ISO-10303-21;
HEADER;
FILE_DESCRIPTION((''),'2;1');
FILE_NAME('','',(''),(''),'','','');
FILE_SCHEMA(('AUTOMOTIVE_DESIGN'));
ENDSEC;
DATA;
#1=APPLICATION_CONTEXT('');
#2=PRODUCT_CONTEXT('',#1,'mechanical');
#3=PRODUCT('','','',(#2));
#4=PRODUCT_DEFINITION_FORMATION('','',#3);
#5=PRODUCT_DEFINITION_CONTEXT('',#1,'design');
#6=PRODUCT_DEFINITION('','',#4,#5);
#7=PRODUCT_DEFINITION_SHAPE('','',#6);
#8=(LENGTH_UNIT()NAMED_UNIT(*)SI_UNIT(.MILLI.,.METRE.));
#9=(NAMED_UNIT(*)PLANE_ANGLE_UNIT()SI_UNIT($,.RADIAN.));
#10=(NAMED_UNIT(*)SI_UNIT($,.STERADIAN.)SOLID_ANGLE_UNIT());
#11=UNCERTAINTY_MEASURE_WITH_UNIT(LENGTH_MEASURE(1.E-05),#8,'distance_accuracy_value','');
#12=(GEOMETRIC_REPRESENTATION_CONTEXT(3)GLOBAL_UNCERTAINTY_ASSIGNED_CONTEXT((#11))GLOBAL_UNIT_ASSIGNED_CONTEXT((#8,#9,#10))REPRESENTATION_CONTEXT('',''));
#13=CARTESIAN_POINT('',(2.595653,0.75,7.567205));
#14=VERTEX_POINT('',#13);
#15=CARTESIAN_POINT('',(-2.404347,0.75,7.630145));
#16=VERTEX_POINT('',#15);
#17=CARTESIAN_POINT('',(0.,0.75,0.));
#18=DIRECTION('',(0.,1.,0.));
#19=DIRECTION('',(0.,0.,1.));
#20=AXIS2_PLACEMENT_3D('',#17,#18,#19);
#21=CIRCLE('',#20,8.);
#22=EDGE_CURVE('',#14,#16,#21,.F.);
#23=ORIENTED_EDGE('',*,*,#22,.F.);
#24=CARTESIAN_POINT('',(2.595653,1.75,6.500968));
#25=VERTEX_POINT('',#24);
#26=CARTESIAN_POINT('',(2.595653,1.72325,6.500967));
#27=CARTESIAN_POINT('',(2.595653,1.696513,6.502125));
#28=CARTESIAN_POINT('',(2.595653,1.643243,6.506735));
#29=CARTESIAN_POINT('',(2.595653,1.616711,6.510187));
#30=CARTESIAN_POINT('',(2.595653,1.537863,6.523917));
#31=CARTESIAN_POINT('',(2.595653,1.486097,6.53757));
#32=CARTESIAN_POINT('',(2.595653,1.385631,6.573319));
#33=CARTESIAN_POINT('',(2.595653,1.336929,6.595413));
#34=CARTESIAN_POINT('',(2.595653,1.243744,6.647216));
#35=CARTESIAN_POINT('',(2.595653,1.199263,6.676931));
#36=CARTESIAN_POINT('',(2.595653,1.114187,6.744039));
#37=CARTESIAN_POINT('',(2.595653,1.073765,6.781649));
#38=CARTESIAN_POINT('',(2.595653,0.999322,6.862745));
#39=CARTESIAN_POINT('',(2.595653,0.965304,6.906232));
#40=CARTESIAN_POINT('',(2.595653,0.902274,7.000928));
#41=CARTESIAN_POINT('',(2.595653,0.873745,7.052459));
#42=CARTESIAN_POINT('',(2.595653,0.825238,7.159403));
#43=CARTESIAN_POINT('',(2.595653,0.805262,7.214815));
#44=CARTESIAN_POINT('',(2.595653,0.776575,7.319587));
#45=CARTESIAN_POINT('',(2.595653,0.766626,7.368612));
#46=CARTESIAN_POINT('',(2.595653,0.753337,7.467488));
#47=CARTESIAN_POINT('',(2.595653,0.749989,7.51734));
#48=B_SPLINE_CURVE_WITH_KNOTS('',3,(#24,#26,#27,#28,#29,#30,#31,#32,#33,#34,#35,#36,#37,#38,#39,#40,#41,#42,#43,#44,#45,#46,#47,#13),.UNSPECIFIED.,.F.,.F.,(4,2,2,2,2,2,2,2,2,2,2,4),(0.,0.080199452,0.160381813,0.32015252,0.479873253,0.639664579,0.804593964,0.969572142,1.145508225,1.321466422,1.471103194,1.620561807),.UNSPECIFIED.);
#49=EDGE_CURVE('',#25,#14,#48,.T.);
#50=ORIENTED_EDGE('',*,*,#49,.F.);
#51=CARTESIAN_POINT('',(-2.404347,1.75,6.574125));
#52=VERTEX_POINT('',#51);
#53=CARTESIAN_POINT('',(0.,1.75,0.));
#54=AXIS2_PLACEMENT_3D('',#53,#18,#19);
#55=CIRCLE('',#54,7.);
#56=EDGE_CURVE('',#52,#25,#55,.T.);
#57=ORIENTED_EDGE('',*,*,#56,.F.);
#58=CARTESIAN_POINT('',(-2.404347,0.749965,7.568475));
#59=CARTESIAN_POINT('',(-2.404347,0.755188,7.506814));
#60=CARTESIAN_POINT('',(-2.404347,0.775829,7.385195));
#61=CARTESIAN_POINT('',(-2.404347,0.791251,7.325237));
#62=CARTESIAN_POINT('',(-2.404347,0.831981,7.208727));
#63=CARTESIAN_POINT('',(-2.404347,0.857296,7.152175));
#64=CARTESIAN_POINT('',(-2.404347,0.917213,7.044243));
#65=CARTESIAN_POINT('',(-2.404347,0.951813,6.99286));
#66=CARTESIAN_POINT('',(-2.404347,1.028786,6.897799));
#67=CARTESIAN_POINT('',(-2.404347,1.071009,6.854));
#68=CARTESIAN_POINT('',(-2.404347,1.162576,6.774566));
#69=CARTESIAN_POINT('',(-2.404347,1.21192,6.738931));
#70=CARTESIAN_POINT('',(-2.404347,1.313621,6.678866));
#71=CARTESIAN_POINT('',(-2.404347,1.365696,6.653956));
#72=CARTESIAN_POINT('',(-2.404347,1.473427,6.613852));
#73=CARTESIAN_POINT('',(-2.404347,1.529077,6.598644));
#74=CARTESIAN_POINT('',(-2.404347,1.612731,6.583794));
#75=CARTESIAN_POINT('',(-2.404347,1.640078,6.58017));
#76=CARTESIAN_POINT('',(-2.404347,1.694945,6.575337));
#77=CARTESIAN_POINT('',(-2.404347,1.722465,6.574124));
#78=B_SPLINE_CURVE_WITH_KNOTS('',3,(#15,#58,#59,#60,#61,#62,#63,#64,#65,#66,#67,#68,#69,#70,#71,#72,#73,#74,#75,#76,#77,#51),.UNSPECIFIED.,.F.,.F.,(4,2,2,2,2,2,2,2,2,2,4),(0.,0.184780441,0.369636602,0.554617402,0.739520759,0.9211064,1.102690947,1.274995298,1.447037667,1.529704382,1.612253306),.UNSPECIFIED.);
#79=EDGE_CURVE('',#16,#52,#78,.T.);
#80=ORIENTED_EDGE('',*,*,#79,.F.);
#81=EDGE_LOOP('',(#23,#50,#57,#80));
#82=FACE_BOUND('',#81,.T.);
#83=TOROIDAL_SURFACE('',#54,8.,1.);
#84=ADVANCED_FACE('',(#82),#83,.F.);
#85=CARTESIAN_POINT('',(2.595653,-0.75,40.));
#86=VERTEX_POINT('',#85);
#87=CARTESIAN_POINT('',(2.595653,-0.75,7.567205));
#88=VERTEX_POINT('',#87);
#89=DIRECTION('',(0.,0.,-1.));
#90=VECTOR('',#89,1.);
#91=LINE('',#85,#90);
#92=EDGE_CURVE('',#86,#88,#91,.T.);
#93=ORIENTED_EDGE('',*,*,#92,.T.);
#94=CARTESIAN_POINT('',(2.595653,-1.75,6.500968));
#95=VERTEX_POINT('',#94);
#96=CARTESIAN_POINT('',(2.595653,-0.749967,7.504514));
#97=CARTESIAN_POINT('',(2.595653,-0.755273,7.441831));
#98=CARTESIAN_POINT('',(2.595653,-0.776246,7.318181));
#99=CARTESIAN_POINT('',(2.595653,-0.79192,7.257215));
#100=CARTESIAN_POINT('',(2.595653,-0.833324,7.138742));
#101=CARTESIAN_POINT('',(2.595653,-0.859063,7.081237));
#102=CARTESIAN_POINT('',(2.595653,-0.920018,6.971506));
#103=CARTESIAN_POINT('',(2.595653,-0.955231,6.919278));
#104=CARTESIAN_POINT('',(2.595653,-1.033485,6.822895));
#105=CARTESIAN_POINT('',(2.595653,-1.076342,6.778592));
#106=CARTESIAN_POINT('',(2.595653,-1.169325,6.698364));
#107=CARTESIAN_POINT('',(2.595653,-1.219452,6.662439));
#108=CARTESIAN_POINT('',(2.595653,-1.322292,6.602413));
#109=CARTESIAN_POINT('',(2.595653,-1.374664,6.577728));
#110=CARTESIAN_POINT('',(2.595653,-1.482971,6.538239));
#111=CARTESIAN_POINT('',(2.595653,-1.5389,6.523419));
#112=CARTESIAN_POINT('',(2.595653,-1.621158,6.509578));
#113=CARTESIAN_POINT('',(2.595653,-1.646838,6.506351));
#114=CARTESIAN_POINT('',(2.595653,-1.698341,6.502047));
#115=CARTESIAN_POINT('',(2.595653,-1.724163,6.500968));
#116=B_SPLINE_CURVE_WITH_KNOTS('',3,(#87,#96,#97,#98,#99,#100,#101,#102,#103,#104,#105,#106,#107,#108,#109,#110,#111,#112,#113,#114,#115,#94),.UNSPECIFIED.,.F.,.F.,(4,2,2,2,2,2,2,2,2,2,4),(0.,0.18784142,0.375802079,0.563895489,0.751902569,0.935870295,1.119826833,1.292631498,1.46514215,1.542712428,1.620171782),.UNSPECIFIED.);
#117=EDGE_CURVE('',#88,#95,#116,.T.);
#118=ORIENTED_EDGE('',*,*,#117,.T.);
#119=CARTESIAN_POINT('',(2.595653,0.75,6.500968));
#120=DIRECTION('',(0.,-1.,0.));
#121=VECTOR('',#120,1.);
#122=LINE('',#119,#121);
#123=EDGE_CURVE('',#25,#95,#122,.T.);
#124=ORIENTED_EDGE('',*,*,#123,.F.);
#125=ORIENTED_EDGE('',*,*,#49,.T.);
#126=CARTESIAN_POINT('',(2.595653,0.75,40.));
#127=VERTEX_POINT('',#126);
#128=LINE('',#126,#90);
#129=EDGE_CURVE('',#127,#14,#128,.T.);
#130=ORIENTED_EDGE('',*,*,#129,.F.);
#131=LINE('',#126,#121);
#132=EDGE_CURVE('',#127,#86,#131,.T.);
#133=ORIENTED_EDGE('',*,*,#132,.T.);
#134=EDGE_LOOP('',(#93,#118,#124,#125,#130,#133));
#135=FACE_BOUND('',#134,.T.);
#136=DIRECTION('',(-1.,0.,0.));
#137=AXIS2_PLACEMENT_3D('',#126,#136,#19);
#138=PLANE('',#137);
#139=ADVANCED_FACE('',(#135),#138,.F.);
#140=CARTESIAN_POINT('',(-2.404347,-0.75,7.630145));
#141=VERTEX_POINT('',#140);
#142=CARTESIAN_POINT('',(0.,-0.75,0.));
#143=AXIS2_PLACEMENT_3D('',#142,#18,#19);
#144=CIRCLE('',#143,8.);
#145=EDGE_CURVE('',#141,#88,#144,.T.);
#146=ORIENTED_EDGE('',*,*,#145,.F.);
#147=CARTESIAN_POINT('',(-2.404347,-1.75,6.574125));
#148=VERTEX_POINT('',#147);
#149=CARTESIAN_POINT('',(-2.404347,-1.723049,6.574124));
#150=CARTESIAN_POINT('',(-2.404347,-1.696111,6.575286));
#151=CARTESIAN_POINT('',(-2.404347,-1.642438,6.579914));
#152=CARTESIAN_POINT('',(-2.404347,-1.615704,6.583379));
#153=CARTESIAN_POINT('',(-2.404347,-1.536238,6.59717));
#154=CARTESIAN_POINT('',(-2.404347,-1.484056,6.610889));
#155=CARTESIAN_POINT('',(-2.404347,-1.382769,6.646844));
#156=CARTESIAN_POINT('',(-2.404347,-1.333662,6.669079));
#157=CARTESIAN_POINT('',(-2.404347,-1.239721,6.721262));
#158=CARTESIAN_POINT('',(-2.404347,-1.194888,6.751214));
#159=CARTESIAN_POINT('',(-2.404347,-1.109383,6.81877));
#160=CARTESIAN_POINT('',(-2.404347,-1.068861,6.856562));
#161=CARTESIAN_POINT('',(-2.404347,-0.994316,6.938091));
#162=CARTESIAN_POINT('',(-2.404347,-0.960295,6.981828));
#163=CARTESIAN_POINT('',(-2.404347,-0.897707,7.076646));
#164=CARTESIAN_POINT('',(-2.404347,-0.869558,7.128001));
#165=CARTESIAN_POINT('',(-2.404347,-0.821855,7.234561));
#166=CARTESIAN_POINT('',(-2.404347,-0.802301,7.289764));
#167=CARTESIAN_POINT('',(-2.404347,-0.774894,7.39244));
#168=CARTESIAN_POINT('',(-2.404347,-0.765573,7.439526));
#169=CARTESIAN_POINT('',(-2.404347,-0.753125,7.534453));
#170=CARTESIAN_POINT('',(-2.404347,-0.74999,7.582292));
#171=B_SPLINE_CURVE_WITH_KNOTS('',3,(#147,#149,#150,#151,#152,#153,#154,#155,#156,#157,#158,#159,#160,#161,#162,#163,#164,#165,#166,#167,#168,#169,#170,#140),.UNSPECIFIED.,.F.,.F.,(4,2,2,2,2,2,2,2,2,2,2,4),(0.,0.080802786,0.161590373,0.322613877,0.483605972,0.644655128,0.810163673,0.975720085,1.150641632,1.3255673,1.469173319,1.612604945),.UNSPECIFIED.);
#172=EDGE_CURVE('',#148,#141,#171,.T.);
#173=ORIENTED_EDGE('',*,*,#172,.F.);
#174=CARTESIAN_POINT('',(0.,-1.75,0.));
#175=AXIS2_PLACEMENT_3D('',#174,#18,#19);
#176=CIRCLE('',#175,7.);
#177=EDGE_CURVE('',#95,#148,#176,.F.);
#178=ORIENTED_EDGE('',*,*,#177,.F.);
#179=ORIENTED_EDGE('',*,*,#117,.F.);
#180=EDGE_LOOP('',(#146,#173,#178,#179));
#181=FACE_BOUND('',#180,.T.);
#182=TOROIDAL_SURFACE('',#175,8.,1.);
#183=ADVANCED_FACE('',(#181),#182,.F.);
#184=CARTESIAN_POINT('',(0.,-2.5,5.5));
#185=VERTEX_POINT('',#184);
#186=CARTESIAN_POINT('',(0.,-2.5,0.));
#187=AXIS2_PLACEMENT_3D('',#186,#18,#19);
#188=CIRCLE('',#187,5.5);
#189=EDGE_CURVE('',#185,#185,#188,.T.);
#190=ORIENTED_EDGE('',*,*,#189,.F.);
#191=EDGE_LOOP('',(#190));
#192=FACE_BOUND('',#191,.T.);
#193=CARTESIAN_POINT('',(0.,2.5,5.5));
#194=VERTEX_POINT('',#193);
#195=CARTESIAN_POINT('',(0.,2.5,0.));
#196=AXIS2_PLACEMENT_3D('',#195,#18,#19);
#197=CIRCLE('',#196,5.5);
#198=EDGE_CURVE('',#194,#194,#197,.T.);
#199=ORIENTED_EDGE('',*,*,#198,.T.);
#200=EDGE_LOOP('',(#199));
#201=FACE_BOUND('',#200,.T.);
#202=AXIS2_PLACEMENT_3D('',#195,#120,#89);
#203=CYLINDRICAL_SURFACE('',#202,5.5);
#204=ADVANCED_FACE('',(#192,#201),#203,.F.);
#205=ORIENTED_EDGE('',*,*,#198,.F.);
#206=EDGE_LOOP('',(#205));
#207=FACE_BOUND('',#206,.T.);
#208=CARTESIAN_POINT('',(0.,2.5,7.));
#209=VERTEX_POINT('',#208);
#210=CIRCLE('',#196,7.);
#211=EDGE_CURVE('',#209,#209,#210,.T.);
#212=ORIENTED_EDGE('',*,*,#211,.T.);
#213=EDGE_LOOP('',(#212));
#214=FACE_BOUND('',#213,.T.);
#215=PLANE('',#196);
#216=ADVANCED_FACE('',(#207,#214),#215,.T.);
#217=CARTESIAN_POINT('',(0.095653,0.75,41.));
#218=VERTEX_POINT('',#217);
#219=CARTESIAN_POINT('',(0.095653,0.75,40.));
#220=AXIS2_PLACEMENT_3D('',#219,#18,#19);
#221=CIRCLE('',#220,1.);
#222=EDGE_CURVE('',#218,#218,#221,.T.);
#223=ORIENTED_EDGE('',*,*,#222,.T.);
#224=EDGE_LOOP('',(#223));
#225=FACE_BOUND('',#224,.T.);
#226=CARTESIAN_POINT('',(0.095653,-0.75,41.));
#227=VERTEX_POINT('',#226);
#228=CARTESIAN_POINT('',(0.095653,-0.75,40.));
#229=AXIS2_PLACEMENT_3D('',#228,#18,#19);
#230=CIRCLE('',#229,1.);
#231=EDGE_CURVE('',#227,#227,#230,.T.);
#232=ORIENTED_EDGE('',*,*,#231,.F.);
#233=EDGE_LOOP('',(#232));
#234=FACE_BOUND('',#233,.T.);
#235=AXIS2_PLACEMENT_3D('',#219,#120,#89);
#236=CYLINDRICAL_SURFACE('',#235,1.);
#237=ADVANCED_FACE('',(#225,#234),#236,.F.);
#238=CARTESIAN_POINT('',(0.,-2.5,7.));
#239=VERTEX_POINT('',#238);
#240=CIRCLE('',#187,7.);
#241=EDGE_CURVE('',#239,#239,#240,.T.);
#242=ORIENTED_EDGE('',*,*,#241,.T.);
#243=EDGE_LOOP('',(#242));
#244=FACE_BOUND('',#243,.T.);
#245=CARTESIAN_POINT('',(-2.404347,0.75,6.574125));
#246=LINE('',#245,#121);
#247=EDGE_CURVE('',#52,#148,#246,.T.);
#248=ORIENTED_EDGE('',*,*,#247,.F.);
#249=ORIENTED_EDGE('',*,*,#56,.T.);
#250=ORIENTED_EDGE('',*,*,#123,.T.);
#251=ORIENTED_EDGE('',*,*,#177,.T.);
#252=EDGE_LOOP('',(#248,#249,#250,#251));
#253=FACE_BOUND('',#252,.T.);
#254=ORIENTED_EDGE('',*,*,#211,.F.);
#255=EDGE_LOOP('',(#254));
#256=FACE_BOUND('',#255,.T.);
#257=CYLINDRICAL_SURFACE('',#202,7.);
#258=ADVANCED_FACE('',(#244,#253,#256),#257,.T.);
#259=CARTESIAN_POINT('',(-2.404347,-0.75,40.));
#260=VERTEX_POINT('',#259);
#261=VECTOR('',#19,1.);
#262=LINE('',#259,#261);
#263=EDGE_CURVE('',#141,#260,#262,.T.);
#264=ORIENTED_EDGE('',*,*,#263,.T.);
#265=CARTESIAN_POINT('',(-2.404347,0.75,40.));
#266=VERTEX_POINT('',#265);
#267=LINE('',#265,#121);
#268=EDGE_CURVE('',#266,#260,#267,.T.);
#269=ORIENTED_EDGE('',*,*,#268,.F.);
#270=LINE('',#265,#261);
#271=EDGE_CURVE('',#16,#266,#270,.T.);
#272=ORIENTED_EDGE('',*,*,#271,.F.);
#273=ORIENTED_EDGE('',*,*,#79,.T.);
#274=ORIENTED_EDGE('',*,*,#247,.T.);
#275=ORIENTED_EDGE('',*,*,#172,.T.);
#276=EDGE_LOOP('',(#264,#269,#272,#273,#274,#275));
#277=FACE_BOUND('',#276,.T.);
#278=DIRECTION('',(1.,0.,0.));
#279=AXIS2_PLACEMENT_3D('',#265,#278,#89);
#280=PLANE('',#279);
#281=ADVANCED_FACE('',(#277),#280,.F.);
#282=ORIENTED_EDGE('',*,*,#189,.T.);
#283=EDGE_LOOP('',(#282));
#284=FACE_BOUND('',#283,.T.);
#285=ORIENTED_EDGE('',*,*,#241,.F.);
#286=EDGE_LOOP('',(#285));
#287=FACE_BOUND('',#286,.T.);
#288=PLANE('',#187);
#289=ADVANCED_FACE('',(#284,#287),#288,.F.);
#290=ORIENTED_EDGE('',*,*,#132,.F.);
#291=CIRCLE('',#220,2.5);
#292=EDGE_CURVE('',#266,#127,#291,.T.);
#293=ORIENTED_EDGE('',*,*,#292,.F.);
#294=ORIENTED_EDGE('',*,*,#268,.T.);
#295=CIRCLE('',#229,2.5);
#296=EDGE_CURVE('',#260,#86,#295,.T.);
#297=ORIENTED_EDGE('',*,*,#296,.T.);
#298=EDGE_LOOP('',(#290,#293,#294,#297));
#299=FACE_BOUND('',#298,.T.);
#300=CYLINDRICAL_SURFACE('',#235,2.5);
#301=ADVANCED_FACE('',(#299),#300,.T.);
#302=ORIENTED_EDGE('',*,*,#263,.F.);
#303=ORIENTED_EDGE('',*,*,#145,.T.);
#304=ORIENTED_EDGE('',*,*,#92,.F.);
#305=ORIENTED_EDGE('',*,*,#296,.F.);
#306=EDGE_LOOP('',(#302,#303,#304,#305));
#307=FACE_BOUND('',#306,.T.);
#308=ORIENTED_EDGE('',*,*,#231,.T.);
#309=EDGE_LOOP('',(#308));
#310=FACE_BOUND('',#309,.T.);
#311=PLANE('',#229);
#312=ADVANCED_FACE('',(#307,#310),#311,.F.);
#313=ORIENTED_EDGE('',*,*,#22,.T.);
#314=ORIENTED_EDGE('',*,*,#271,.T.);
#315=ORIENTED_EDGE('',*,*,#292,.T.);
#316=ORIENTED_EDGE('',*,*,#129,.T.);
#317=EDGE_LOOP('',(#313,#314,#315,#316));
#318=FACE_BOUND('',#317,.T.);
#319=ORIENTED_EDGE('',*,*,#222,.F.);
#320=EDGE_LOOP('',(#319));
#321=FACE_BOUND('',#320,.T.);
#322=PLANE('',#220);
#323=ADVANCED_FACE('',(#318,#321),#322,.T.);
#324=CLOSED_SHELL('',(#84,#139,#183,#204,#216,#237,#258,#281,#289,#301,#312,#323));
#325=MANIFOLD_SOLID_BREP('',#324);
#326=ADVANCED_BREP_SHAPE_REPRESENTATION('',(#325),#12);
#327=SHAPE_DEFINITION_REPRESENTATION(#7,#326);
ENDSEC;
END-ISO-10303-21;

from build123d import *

# Parameters (mm, degrees)
SKETCH1_R           = 7
SKETCH1_R_2         = 5.5
BOSS_EXTRUDE1_DEPTH = 2.5
SKETCH2_R           = 1
BOSS_EXTRUDE2_DEPTH = 0.75
FILLET1_R           = 1


with BuildPart() as part:
    # Sketch1 → Boss-Extrude1 (new, symmetric)
    with BuildSketch(Plane(origin=(0, 0, 0), x_dir=(1, 0, 0), z_dir=(0, 1, 0))):
        with Locations(Location((0, 0, 0), (0, 0, 270))):
            Circle(SKETCH1_R)
        with Locations(Location((0, 0, 0), (0, 0, 270))):
            Circle(SKETCH1_R_2, mode=Mode.SUBTRACT)
    extrude(amount=BOSS_EXTRUDE1_DEPTH, both=True)

    # Sketch2 → Boss-Extrude2 (add, symmetric)
    with BuildSketch(Plane(origin=(0, 0, 0), x_dir=(1, 0, 0), z_dir=(0, 1, 0))):
        with BuildLine():
            Line((2.595653006, -40), (2.595653006, -6.500968041))
            ThreePointArc((2.595653006, -6.500968041), (0.102408357, -6.999250855), (-2.404346994, -6.574124697))
            Line((-2.404346994, -6.574124697), (-2.404346994, -40))
            ThreePointArc((-2.404346994, -40), (0.095653006, -42.5), (2.595653006, -40))
        make_face()
        with Locations(Location((0.095653006, -40, 0), (0, 0, 270))):
            Circle(SKETCH2_R, mode=Mode.SUBTRACT)
    extrude(amount=BOSS_EXTRUDE2_DEPTH, both=True)

    # Fillet1
    fillet1_edges = [part.edges().sort_by_distance(p)[0] for p in [
        (1.321594437, 0.75, 6.874109989),
        (1.321594437, -0.75, 6.874109989),
    ]]
    fillet(fillet1_edges, radius=FILLET1_R)


solid = part.part
